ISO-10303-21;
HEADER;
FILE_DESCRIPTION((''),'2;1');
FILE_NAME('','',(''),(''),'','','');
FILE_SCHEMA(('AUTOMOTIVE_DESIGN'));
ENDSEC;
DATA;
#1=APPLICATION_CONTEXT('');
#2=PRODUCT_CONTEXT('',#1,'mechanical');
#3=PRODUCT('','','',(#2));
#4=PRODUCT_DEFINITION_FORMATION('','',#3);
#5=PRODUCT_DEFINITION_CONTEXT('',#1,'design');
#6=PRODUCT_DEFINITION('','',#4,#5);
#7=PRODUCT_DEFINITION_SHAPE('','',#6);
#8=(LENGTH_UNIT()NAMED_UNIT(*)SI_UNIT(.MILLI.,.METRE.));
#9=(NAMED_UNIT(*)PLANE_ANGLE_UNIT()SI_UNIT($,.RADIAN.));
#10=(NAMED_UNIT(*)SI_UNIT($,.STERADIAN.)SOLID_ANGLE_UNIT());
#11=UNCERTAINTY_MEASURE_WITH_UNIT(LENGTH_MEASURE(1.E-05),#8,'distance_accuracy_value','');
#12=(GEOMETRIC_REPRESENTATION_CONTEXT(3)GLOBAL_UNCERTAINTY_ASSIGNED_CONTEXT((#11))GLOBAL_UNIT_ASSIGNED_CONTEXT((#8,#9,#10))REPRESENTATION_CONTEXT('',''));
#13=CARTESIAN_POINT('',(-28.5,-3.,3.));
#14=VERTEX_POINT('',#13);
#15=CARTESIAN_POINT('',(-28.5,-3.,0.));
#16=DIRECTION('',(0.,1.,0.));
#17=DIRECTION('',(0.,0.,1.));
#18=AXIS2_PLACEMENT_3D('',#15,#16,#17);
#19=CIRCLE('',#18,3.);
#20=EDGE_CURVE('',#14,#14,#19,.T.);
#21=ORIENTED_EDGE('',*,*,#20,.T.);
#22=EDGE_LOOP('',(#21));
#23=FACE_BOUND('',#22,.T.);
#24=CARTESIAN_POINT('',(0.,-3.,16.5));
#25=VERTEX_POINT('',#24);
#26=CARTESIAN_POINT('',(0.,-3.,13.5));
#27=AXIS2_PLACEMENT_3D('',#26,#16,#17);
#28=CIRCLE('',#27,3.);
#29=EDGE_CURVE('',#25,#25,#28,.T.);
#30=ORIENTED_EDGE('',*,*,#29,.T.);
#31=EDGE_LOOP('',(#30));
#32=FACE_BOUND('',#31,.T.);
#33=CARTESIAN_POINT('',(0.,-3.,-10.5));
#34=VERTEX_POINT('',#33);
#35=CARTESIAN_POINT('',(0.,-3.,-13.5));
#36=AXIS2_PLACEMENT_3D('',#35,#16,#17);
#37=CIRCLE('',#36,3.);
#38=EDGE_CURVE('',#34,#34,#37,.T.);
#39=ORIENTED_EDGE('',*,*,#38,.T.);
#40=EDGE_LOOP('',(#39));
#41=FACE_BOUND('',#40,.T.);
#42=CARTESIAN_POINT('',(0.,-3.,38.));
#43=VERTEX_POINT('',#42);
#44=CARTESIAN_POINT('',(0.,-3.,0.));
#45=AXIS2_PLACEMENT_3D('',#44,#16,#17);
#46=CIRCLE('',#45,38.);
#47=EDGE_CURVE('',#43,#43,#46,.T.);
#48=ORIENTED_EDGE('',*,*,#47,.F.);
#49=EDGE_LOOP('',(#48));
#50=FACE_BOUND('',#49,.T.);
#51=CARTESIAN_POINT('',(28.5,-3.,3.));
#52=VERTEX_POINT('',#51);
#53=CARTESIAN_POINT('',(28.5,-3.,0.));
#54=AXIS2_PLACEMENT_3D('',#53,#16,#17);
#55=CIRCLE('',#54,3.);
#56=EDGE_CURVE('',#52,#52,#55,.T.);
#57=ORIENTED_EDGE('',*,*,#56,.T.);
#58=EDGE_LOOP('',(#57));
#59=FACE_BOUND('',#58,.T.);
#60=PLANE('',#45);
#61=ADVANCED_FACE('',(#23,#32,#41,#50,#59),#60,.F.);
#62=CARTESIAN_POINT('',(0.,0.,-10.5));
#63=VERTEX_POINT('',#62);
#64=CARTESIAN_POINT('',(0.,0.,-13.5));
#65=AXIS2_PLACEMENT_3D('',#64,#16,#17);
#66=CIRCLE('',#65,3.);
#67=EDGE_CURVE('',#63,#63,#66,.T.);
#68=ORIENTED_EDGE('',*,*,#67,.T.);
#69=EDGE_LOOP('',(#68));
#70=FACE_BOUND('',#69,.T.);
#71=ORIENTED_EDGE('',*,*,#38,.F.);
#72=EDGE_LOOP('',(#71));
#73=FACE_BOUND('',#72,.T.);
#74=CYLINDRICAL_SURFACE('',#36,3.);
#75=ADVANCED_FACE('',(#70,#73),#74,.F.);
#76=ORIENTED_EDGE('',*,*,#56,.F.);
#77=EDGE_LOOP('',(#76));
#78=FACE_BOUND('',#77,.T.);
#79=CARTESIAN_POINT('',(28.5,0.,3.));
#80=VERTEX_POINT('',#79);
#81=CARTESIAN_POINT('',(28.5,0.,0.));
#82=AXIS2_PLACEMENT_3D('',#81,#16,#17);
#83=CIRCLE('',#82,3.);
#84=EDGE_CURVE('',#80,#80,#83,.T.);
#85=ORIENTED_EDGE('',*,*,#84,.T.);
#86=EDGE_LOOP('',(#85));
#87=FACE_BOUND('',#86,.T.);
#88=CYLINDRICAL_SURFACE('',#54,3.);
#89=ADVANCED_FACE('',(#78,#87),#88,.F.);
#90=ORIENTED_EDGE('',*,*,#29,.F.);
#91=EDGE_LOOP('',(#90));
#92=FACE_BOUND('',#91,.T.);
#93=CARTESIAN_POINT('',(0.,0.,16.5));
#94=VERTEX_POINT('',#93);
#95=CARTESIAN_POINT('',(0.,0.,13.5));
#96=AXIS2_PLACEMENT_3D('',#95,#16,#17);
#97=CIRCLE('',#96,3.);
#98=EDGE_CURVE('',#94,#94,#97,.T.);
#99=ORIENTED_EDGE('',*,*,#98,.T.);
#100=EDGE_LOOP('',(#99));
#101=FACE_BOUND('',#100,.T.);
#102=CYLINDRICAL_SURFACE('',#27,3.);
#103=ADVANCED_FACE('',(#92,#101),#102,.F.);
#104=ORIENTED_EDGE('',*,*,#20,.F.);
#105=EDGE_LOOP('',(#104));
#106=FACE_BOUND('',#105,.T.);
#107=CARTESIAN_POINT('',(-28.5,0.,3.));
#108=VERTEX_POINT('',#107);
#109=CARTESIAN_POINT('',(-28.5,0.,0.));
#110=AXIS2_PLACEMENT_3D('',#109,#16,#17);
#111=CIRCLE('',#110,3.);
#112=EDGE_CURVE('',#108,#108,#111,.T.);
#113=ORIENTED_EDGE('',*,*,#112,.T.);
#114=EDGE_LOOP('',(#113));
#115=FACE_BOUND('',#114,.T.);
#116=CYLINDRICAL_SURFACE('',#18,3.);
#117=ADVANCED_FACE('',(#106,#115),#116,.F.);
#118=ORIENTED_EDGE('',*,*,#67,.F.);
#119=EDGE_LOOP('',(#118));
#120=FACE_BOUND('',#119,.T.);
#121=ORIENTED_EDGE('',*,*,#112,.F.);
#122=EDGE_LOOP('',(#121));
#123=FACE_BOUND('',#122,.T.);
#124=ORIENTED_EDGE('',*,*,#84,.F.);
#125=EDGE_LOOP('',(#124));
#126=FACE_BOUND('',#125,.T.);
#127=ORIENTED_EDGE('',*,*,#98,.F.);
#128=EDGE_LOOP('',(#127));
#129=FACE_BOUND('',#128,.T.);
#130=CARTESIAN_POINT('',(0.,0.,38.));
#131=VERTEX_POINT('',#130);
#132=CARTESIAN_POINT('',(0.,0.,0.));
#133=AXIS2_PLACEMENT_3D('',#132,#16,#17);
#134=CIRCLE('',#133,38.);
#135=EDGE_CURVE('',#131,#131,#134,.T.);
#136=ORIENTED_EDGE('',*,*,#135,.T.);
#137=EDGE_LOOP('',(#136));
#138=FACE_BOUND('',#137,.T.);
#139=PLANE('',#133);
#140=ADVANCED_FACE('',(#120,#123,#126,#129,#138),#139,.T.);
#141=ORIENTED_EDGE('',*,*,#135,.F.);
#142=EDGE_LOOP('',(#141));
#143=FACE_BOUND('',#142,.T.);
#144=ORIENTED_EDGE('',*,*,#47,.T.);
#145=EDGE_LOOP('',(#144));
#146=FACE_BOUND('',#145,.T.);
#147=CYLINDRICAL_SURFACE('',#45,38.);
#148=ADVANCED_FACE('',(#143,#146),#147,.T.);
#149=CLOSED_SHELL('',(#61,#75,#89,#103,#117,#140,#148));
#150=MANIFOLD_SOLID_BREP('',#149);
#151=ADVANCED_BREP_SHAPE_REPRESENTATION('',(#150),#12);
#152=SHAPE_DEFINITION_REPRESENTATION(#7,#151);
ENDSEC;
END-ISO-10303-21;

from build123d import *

# Parameters (mm, degrees)
SKETCH1_R           = 38
SKETCH1_R_2         = 3
BOSS_EXTRUDE1_DEPTH = 3


with BuildPart() as part:
    # Sketch1 → Boss-Extrude1 (new body)
    with BuildSketch(Plane(origin=(0, 0, 0), x_dir=(1, 0, 0), z_dir=(0, 1, 0))):
        with Locations(Location((0, 0, 0), (0, 0, 270))):
            Circle(SKETCH1_R)
        with Locations(Location((28.5, 0, 0), (0, 0, 270))):
            Circle(SKETCH1_R_2, mode=Mode.SUBTRACT)
        with Locations(Location((-28.5, 0, 0), (0, 0, 270))):
            Circle(SKETCH1_R_2, mode=Mode.SUBTRACT)
        with Locations(Location((0, 13.5, 0), (0, 0, 270))):
            Circle(SKETCH1_R_2, mode=Mode.SUBTRACT)
        with Locations(Location((0, -13.5, 0), (0, 0, 270))):
            Circle(SKETCH1_R_2, mode=Mode.SUBTRACT)
    extrude(amount=-BOSS_EXTRUDE1_DEPTH)


solid = part.part
